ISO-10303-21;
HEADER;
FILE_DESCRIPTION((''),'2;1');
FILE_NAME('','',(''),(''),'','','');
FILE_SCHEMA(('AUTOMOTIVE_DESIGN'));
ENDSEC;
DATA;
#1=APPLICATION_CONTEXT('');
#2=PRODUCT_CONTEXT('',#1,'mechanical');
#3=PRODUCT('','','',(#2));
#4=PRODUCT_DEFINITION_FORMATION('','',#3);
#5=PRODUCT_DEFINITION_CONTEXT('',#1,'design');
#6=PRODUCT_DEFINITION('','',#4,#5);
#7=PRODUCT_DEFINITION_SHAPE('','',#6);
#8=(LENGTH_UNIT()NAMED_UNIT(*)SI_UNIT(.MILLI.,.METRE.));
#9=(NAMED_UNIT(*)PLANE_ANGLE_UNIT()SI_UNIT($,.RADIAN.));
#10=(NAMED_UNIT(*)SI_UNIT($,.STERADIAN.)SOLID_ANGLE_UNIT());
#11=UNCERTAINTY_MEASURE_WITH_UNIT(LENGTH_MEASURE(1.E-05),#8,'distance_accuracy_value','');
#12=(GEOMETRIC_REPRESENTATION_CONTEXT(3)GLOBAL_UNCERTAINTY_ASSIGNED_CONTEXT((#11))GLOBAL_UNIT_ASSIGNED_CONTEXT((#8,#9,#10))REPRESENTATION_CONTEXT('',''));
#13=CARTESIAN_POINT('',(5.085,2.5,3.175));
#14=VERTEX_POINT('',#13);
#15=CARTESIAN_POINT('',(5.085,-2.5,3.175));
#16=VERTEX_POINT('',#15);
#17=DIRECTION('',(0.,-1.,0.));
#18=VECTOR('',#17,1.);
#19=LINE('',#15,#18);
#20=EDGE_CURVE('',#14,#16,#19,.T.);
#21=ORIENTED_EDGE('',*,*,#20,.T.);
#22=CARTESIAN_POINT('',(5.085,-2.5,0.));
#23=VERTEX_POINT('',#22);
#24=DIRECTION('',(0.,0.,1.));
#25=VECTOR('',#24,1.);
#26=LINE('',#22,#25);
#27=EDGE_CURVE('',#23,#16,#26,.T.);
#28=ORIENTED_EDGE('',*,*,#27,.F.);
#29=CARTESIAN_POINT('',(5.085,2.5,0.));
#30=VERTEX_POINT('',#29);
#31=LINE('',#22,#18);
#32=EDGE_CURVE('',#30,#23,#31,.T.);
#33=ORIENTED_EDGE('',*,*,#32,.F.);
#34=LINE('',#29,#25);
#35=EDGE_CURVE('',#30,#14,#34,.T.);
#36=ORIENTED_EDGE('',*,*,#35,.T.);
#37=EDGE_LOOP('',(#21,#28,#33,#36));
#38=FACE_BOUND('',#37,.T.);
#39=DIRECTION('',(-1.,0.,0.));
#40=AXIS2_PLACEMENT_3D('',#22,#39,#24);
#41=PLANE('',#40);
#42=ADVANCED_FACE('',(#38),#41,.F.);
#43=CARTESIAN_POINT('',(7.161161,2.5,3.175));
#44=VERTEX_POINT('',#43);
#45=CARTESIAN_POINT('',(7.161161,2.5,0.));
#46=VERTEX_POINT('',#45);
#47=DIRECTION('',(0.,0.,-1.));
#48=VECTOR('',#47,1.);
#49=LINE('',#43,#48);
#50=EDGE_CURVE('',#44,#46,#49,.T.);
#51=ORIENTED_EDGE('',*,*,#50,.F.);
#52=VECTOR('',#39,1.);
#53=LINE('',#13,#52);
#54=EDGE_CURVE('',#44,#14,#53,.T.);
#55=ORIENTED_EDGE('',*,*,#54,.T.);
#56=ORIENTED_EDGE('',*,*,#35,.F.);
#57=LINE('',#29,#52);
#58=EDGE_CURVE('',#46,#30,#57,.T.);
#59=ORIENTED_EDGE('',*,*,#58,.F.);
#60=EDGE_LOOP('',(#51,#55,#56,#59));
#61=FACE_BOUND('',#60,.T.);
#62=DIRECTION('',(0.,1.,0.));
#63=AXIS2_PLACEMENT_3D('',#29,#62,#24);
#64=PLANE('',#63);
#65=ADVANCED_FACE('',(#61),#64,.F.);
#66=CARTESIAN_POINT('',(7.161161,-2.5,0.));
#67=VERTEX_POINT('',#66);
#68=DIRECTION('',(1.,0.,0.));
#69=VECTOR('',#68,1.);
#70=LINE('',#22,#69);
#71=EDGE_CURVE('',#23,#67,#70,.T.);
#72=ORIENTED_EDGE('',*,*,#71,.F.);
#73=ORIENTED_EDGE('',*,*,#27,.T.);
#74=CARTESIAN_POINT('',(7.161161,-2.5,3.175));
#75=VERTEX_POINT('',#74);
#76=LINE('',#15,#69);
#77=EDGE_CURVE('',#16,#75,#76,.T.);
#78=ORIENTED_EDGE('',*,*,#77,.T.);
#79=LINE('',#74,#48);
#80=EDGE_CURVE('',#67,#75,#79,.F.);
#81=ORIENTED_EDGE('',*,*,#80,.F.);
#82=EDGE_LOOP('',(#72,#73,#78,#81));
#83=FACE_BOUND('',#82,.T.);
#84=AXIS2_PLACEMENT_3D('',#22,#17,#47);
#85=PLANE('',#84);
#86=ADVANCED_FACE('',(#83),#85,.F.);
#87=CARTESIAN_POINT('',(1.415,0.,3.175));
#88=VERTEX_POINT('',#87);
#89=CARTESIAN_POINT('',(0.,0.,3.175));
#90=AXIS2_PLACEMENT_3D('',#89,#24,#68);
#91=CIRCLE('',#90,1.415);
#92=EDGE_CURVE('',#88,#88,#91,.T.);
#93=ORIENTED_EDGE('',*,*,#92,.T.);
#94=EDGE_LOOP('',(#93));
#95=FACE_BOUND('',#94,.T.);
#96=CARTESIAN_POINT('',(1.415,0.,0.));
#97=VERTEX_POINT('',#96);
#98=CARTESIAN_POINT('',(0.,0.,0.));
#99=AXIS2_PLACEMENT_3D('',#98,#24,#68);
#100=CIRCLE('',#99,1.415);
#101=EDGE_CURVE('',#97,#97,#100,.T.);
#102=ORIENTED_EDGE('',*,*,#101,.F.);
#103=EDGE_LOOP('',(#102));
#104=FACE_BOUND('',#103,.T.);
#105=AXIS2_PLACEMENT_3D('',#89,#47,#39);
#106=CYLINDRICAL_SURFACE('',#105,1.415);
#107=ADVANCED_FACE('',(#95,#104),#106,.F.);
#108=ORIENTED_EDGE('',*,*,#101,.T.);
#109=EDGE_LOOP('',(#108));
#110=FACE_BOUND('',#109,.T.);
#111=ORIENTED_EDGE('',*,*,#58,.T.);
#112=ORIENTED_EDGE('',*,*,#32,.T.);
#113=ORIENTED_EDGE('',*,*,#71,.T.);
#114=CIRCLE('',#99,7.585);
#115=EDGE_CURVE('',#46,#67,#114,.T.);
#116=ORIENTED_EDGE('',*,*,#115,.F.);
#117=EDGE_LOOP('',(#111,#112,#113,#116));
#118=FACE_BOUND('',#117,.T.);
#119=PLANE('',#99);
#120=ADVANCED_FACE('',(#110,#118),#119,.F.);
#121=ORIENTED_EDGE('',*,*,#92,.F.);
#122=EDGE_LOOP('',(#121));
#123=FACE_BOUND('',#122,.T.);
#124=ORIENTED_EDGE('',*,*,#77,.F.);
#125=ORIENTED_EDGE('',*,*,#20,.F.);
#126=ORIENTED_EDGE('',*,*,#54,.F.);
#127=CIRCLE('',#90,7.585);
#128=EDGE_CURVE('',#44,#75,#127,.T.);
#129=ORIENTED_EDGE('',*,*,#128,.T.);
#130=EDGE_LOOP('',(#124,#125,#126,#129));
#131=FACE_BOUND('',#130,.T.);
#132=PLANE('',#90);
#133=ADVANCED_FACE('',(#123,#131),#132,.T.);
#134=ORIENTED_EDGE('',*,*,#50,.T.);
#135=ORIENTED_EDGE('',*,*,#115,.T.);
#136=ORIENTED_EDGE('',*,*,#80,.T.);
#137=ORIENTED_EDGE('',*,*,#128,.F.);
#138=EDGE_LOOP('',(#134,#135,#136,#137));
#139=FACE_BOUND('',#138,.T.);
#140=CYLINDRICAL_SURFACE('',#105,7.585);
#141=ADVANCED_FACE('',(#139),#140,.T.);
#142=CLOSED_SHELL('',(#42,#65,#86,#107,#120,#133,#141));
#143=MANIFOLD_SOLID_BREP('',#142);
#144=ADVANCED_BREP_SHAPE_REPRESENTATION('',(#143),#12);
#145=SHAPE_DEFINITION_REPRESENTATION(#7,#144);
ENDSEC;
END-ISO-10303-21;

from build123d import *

# Parameters (mm, degrees)
SKETCH1_R           = 7.585
SKETCH1_R_2         = 1.415
BOSS_EXTRUDE1_DEPTH = 3.175
SKETCH2_W           = 2.5
SKETCH2_H           = 5
CUT_EXTRUDE1_DEPTH  = 3.175


with BuildPart() as part:
    # Sketch1 → Boss-Extrude1 (new body)
    with BuildSketch(Plane.XY):
        Circle(SKETCH1_R)
        Circle(SKETCH1_R_2, mode=Mode.SUBTRACT)
    extrude(amount=BOSS_EXTRUDE1_DEPTH)

    # Sketch2 → Cut-Extrude1 (cut)
    with BuildSketch(Plane.XY.offset(3.175)):
        with Locations((6.335, 0)):
            Rectangle(SKETCH2_W, SKETCH2_H)
    extrude(amount=-CUT_EXTRUDE1_DEPTH, mode=Mode.SUBTRACT)


solid = part.part
